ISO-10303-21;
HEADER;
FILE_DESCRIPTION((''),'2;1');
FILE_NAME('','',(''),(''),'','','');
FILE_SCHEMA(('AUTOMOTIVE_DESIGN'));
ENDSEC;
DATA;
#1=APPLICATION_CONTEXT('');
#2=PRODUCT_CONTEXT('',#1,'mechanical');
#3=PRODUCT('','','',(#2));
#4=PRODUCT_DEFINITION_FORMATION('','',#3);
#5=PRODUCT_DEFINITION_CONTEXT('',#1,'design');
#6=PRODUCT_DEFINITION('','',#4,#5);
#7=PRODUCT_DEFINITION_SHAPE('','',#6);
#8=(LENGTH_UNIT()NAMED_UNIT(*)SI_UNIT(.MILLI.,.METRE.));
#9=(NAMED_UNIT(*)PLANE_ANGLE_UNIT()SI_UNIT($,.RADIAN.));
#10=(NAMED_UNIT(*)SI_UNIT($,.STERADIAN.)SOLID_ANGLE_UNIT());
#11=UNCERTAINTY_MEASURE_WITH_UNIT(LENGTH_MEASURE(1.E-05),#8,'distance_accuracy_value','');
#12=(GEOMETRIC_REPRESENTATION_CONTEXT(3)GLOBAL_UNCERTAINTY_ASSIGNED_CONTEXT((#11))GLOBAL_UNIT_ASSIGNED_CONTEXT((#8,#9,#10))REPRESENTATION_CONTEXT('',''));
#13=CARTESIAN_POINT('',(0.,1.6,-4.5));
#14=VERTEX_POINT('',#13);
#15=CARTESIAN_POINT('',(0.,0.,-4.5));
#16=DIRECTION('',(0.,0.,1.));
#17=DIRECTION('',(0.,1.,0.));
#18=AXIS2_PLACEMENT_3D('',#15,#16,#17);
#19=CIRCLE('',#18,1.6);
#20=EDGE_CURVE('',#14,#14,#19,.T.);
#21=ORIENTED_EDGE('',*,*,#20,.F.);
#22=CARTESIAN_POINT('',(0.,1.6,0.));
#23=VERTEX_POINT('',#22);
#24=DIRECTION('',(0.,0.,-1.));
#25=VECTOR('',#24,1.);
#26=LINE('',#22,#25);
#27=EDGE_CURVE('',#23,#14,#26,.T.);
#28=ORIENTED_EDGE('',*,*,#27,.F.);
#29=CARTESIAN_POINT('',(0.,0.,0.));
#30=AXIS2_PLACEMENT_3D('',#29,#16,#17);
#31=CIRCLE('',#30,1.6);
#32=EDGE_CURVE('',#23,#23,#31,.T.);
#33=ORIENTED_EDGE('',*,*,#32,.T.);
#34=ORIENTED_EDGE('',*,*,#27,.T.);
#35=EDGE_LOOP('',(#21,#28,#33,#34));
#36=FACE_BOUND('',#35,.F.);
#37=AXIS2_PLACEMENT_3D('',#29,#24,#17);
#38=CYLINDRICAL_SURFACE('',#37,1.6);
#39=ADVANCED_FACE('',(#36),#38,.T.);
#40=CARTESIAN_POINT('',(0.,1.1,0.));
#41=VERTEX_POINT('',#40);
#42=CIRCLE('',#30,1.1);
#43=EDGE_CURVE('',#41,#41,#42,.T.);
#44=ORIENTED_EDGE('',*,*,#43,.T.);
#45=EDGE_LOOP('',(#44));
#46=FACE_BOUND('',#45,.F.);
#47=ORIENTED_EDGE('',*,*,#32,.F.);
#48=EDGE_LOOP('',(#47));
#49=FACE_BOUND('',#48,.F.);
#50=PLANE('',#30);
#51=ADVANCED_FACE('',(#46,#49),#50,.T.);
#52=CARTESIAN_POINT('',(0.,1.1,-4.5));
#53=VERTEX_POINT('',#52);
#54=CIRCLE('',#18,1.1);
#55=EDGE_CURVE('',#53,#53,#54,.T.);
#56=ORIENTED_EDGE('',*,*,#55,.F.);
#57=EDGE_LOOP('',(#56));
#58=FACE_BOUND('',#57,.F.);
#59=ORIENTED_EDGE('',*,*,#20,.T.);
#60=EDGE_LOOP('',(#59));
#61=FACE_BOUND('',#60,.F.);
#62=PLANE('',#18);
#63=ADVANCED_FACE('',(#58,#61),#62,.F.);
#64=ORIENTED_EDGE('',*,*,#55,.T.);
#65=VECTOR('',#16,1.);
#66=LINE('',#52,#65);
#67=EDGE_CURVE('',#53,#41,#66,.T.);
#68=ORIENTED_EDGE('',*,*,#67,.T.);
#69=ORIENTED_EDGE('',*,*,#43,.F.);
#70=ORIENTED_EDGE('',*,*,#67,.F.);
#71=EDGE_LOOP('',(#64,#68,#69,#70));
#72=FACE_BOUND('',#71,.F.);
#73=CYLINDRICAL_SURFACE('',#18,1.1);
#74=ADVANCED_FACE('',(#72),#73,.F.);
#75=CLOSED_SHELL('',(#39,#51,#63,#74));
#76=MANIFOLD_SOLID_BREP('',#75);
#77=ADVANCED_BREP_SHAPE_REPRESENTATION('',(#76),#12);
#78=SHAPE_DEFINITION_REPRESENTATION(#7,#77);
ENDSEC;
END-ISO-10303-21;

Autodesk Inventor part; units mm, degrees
ref_plane "YZ Plane" through (0, 0, 0) normal (1, 0, 0) x (0, 1, 0)
ref_plane "XZ Plane" through (0, 0, 0) normal (0, 1, 0) x (-1, 0, 0)
ref_plane "XY Plane" through (0, 0, 0) normal (0, 0, 1) x (1, 0, 0)
sketch "スケッチ1" plane through (0, 0, 0) normal (1, 0, 0) x (0, 1, 0)
  line L0 (1.1, 0) -> (1.6, 0)
  line L1 (1.6, 0) -> (1.6, -4.5)
  line L2 (1.6, -4.5) -> (1.1, -4.5)
  line L3 (1.1, -4.5) -> (1.1, 0)
  line L4 (0, -5.4) -> (0, 0.9) projected
  point P0 (0, 0)
  dimension "d0" = 1.1
  dimension "d1" = 1.6
  dimension "d2" = 4.5
revolve "回転1" add sketch "スケッチ1" angle 360 about axis through (0, 0, -10) along (0, 0, 1)
properties part number "Parts_MetalCollar_Ph2_L4.5" material "ステンレス鋼"
